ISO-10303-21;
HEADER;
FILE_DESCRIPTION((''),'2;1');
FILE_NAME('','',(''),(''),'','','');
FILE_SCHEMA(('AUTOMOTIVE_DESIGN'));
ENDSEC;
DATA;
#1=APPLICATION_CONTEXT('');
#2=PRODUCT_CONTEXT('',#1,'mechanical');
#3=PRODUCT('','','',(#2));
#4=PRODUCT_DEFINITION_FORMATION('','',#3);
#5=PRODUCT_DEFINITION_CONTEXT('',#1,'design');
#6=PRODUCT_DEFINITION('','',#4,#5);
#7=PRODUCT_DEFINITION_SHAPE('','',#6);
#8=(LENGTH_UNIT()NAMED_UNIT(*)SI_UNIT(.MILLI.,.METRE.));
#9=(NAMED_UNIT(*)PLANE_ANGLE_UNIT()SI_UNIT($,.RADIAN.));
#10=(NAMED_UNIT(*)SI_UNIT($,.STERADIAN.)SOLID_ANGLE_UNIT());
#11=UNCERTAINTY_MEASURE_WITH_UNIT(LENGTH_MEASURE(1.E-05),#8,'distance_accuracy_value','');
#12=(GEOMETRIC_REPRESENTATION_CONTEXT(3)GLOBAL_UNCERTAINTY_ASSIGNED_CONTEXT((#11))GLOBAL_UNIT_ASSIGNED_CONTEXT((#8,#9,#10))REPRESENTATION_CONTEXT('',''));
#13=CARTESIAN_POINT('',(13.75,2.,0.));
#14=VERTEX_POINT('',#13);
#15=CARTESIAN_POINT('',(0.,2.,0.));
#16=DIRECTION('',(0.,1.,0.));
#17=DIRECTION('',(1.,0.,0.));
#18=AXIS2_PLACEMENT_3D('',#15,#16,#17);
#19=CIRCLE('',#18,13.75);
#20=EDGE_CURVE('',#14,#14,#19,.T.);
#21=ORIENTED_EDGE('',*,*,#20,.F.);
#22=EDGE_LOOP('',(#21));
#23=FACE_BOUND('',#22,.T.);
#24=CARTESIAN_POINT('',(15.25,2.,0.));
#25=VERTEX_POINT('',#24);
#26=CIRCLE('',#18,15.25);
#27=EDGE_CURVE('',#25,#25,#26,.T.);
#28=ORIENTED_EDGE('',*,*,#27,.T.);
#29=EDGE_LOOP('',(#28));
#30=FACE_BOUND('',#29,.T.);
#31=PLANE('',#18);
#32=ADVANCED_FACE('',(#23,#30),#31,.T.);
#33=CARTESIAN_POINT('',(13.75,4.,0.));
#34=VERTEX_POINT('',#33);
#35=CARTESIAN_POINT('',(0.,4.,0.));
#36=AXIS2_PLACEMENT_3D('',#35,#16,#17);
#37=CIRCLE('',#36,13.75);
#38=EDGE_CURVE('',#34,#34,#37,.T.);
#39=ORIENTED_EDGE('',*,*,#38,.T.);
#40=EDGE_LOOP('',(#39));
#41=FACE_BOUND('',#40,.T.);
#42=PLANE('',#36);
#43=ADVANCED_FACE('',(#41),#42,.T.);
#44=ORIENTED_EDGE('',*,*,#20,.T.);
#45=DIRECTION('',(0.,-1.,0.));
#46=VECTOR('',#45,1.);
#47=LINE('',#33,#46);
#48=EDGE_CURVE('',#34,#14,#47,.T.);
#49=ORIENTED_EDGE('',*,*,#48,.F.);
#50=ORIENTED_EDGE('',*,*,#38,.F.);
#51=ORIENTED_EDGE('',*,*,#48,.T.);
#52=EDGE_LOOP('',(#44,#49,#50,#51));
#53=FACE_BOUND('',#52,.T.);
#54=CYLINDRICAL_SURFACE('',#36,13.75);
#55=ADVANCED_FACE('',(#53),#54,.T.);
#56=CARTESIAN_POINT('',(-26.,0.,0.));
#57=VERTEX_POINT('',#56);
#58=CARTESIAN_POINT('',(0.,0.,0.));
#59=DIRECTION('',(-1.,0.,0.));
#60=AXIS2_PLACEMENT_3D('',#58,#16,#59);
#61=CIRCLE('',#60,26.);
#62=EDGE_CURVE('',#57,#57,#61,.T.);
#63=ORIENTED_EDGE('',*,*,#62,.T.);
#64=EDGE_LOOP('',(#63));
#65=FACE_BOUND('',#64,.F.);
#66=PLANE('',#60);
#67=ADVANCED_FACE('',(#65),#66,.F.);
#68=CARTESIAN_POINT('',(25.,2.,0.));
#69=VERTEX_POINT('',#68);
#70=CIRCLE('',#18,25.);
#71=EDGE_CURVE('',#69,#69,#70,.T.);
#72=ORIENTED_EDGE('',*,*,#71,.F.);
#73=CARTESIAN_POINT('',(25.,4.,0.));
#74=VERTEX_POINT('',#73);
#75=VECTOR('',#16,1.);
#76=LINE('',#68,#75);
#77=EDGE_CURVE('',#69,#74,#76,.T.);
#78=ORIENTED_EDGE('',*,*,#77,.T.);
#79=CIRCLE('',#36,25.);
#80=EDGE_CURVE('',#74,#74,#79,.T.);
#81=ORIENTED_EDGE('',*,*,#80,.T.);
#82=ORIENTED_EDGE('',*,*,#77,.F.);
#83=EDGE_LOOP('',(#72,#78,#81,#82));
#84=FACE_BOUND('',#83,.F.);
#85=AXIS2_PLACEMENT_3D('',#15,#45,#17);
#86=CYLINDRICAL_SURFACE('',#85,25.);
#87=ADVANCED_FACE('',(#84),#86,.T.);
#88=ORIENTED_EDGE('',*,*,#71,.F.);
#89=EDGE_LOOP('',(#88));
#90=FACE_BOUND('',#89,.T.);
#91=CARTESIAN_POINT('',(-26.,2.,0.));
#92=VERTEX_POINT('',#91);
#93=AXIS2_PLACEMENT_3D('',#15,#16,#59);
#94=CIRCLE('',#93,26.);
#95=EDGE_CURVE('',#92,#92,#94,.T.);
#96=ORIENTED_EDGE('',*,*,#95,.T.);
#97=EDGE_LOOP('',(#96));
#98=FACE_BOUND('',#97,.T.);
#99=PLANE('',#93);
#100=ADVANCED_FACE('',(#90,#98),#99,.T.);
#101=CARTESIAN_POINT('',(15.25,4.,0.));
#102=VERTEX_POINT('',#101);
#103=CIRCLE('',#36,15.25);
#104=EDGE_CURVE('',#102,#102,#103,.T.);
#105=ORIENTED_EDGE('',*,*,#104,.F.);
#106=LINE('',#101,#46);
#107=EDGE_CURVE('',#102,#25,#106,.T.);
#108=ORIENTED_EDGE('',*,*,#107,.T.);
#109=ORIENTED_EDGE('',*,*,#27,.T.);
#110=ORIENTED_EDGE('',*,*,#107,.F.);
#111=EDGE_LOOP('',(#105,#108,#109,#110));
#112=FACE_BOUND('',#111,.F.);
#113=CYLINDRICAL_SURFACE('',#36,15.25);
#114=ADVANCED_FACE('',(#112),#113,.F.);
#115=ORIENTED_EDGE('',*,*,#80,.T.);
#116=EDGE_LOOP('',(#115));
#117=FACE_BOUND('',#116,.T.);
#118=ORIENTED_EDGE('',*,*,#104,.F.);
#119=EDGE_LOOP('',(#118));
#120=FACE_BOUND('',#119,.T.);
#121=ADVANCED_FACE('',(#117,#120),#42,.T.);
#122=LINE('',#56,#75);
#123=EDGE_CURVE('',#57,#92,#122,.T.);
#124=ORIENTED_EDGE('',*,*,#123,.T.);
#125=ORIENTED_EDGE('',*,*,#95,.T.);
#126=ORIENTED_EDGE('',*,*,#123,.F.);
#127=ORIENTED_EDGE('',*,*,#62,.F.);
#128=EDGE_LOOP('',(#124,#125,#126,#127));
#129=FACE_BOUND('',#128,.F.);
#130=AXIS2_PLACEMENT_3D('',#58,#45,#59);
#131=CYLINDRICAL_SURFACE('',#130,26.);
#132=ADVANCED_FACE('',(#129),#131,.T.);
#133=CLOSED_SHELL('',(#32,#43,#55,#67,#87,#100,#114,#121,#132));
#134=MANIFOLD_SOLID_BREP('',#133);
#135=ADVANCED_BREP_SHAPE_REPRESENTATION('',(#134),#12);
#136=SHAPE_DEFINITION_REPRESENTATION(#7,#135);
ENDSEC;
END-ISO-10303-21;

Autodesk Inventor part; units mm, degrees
ref_plane "YZ Plane" through (0, 0, 0) normal (1, 0, 0) x (0, 1, 0)
ref_plane "XZ Plane" through (0, 0, 0) normal (0, 1, 0) x (-1, 0, 0)
ref_plane "XY Plane" through (0, 0, 0) normal (0, 0, 1) x (1, 0, 0)
sketch "Sketch1" plane through (0, 0, 0) normal (0, 1, 0) x (-1, 0, 0)
  circle A0 centre (0, 0) radius 25
  circle A1 centre (0, 0) radius 26
  dimension "d0" = 50
  dimension "d1" = 52
extrude "Extrusion1" add sketch "Sketch1" along normal blind 2 contours A0 | A1
sketch "Sketch2" plane through (0, 2, 0) normal (0, 1, 0) x (1, 0, 0)
  circle A0 centre (0, 0) radius 25
  dimension "d4" = 50
extrude "Extrusion2" add sketch "Sketch2" along normal blind 2
sketch "Sketch3" plane through (0, 4, 0) normal (0, 1, 0) x (1, 0, 0)
  circle A0 centre (0, 0) radius 13.75
  circle A1 centre (0, 0) radius 15.25
  dimension "d7" = 27.5
  dimension "d8" = 30.5
extrude "Extrusion3" cut sketch "Sketch3" against normal blind 2
properties part number "Cap"
